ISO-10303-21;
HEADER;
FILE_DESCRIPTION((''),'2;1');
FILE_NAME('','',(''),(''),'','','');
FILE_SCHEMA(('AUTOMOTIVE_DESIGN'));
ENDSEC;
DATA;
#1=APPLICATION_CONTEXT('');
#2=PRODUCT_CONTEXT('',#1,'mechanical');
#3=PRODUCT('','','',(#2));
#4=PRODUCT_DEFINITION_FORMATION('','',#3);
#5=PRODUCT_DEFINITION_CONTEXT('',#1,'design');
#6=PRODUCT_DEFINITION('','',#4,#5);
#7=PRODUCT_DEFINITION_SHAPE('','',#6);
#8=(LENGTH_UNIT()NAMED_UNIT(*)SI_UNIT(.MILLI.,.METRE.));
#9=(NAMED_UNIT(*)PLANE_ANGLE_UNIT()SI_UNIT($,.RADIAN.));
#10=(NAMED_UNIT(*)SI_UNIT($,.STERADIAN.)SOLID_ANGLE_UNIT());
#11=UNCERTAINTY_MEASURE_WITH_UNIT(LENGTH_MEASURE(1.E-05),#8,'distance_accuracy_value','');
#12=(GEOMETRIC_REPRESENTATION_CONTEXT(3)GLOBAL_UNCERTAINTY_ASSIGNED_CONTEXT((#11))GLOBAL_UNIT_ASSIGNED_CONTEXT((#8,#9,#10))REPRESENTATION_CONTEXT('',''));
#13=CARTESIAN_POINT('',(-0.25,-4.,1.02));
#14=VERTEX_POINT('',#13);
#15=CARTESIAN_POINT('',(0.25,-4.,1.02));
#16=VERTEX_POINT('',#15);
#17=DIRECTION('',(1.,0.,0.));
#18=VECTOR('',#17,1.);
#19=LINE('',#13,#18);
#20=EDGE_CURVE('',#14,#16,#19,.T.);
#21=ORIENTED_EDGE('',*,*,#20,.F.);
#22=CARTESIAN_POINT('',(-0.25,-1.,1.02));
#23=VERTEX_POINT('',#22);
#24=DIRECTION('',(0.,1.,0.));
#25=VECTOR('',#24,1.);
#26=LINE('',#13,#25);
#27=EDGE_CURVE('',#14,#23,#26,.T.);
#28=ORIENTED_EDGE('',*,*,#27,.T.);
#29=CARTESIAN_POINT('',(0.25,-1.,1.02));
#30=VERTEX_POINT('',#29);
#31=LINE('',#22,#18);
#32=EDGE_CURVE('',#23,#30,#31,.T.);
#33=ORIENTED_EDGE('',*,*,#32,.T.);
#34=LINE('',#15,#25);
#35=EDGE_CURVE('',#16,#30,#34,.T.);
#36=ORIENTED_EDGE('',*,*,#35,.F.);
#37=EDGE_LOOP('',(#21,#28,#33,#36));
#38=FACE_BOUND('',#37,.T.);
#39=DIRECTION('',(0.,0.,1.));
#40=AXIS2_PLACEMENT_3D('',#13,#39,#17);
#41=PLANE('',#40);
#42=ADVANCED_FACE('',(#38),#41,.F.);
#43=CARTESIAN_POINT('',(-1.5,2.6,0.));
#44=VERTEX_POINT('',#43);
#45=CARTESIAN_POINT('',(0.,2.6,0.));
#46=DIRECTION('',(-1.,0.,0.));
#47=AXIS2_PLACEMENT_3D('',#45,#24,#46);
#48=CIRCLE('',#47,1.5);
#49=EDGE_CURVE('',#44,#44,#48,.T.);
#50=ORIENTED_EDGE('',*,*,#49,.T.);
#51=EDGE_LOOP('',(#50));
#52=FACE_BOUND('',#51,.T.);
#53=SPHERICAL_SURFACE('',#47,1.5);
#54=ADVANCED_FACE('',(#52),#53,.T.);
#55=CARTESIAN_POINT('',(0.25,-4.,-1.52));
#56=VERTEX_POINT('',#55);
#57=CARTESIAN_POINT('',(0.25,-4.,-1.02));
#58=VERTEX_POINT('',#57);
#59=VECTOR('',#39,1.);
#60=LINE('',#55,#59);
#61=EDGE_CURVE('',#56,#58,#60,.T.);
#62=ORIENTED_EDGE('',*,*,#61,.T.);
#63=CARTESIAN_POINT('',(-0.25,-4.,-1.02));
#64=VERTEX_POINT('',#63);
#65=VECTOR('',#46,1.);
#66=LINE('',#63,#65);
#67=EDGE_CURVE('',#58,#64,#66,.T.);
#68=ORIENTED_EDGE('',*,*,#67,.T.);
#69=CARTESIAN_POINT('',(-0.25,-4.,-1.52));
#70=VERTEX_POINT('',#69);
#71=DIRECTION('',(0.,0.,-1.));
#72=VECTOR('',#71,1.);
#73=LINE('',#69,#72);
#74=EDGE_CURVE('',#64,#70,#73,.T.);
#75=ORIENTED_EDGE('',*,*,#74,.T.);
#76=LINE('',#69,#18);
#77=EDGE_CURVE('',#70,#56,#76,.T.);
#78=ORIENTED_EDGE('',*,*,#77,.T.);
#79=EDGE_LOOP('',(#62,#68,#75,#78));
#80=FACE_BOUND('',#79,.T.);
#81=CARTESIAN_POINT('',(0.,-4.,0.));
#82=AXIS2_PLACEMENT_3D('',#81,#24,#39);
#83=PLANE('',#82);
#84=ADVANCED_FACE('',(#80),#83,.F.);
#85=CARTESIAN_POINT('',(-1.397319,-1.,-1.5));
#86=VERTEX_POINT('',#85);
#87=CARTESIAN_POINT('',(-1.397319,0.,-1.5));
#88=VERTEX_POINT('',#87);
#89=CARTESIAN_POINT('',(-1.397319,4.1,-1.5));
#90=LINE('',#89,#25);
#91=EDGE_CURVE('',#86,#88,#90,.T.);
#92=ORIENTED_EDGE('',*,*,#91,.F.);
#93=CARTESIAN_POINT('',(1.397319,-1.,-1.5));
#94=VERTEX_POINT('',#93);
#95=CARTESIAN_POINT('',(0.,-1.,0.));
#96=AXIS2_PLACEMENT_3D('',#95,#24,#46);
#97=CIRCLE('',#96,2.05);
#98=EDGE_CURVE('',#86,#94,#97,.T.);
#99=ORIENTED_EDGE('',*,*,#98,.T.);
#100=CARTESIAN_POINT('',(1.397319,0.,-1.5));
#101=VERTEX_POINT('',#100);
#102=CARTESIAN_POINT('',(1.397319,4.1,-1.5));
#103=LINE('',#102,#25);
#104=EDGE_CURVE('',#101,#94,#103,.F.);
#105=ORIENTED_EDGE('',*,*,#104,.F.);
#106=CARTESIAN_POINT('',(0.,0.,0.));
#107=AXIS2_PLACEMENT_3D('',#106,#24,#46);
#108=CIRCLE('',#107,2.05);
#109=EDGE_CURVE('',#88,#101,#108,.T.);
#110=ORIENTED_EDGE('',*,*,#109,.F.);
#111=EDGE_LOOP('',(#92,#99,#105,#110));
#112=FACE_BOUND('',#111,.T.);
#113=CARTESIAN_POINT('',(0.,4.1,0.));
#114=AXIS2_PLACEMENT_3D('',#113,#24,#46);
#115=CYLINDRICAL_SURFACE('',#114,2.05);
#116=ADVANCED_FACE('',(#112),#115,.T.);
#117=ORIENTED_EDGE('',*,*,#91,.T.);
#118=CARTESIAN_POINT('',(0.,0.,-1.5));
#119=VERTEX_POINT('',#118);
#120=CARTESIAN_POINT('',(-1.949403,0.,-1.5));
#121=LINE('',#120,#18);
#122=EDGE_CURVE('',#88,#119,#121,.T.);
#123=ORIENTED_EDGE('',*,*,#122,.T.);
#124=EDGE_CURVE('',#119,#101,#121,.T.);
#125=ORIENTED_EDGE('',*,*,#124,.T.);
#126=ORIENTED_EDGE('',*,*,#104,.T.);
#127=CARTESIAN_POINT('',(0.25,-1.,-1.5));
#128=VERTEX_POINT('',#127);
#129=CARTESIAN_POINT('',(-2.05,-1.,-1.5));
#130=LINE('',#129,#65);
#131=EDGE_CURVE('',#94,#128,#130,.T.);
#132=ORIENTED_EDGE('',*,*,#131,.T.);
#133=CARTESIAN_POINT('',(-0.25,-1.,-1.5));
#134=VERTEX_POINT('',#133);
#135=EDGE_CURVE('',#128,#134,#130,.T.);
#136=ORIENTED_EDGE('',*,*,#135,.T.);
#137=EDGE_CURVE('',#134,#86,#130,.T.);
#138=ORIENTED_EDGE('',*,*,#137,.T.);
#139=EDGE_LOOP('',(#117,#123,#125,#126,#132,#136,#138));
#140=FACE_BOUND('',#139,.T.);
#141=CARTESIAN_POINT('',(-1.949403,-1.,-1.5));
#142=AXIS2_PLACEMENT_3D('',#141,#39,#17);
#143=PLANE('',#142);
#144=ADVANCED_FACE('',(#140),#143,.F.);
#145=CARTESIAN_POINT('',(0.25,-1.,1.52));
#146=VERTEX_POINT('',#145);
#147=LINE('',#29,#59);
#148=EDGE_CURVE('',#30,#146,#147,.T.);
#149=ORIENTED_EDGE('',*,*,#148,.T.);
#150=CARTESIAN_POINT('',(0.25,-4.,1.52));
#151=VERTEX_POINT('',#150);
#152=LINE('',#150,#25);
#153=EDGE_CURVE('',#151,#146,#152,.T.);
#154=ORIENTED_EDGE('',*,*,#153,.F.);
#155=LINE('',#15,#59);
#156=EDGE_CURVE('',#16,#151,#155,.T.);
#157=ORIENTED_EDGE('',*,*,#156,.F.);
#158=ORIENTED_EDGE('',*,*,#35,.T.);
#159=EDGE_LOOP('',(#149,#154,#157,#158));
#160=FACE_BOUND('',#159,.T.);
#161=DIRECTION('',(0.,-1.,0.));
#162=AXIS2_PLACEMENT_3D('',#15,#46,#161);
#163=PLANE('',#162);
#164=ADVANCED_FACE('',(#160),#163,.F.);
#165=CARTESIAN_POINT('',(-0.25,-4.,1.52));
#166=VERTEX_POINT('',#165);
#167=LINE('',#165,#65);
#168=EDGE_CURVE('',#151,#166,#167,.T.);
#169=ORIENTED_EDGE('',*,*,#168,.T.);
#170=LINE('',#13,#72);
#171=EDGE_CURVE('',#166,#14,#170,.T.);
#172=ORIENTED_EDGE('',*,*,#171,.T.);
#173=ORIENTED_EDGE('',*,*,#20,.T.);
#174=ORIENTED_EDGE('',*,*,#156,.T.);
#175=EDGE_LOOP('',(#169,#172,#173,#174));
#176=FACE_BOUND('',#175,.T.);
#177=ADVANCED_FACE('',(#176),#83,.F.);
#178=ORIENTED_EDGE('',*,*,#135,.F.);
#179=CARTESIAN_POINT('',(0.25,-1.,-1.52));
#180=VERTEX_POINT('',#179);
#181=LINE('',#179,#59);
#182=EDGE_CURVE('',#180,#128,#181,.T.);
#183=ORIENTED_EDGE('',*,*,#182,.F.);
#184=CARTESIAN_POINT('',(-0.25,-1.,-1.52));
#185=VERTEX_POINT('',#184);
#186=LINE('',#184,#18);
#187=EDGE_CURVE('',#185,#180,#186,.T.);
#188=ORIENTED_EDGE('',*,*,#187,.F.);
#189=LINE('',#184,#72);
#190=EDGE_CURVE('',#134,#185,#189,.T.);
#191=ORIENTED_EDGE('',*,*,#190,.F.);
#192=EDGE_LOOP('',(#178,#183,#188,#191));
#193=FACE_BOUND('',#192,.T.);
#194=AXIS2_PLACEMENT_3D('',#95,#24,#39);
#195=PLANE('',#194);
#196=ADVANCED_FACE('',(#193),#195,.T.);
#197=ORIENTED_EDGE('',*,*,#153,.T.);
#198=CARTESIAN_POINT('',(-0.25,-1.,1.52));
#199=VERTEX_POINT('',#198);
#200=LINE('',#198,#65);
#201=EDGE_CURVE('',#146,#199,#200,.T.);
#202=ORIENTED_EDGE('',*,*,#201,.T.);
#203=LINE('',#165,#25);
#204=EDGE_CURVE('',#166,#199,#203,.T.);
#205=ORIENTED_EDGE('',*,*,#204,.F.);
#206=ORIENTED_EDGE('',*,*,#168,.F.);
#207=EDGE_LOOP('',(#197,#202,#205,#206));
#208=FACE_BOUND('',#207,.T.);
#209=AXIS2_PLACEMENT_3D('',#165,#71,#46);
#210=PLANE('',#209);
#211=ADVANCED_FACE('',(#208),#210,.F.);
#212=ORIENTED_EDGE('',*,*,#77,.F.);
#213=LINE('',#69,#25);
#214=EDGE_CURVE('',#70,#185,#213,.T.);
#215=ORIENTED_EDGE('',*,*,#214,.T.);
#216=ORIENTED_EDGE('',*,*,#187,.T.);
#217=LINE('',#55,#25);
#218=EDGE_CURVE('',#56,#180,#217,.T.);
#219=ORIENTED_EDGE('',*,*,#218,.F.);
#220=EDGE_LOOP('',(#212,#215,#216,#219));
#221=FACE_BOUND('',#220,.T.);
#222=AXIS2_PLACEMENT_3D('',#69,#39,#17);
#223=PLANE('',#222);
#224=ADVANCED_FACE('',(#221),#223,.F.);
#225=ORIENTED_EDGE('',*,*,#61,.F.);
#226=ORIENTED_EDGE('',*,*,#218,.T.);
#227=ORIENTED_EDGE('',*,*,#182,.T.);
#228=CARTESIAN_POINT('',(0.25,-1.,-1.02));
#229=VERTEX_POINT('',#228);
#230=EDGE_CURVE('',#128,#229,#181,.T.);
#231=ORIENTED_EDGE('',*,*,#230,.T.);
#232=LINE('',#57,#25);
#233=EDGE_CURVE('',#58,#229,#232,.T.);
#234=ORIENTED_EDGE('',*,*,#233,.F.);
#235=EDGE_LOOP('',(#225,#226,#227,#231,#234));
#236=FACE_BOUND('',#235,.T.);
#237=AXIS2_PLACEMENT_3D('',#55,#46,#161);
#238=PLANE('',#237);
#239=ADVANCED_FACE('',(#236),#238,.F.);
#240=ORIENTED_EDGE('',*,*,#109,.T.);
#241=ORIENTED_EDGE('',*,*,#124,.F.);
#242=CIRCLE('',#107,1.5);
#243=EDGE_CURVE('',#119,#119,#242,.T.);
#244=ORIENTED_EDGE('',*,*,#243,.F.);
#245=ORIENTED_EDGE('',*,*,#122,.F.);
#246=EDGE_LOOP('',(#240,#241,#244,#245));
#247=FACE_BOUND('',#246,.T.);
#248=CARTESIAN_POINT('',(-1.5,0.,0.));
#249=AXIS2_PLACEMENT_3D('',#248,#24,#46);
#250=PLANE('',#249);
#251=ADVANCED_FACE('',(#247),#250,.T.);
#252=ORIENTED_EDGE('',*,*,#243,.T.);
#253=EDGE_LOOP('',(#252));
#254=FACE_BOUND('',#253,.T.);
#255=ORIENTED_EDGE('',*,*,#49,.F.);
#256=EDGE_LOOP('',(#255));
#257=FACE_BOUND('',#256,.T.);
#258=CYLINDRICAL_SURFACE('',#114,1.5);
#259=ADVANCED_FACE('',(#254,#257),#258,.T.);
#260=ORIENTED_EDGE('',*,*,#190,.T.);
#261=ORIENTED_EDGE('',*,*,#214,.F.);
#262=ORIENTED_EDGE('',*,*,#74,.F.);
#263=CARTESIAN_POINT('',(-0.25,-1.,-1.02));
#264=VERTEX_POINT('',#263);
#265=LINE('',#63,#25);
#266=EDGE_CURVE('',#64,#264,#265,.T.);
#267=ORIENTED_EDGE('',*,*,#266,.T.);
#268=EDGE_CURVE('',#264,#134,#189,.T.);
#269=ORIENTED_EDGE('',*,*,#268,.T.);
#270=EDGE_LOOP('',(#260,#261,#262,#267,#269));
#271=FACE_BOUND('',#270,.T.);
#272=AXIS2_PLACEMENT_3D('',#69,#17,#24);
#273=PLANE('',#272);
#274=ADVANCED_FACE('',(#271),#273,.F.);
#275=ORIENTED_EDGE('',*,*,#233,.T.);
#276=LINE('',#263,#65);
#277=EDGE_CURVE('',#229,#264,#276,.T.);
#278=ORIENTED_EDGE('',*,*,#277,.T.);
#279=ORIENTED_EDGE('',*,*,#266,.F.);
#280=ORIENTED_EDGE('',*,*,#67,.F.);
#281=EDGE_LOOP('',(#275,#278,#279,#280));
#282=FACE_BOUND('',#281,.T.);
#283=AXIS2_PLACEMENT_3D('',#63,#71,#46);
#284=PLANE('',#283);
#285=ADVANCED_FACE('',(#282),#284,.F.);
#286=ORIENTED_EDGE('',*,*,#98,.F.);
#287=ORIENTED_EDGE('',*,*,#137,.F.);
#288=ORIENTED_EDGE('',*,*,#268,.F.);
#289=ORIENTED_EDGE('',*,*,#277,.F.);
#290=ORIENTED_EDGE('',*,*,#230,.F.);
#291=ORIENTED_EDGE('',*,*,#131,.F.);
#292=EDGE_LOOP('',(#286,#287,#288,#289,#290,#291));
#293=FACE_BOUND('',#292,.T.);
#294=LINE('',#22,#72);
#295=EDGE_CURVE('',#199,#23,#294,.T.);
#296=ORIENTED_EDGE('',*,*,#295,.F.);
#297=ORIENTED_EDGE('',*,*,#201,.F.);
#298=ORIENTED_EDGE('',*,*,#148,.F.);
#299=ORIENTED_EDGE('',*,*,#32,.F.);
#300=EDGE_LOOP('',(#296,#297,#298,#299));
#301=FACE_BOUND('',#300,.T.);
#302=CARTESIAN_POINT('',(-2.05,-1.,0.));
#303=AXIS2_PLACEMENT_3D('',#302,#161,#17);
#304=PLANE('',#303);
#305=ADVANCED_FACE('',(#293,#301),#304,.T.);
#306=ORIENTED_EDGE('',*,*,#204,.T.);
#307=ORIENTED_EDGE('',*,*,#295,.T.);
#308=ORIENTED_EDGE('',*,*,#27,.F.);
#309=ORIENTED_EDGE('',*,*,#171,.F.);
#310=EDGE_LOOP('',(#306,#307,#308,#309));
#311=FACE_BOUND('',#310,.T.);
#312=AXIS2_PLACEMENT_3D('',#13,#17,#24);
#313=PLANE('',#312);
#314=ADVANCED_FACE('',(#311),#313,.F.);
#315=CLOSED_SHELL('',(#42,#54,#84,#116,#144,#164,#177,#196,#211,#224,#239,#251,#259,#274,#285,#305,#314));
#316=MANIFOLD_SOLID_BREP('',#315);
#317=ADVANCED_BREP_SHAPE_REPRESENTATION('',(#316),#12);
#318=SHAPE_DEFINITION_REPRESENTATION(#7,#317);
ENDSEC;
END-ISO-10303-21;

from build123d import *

# Parameters (mm, degrees)
CUT_EXTRUDE1_DEPTH  = 2
SKETCH3_W           = 0.5
SKETCH3_H           = 0.5
BOSS_EXTRUDE1_DEPTH = 3


with BuildPart() as part:
    # Sketch1 → Revolve1 (revolve)
    with BuildSketch(Plane.XY):
        with BuildLine():
            Line((-1.5, 2.6), (-1.5, 0))
            Line((-1.5, 0), (-2.05, 0))
            Line((-2.05, 0), (-2.05, -1))
            Line((-2.05, -1), (0, -1))
            Line((0, -1), (0, 4.1))
            ThreePointArc((0, 4.1), (-1.060660172, 3.660660172), (-1.5, 2.6))
        make_face()
    revolve(axis=Axis((0, 4.1, 0), (0, -1, 0)))

    # Sketch2 → Cut-Extrude1 (cut, through all)
    with BuildSketch(Plane(origin=(0, 0, 0), x_dir=(1, 0, 0), z_dir=(0, 1, 0))):
        Polygon((-1.949403326, 1.5), (2.097394678, 1.5), (0.505211857, 3.403801095), align=None)
    extrude(amount=-CUT_EXTRUDE1_DEPTH, mode=Mode.SUBTRACT)

    # Sketch3 → Boss-Extrude1 (add)
    with BuildSketch(Plane.XZ.offset(1)):
        with Locations((0, 1.27)):
            Rectangle(SKETCH3_W, SKETCH3_H)
        with Locations((0, -1.27)):
            Rectangle(SKETCH3_W, SKETCH3_H)
    extrude(amount=BOSS_EXTRUDE1_DEPTH)


solid = part.part
